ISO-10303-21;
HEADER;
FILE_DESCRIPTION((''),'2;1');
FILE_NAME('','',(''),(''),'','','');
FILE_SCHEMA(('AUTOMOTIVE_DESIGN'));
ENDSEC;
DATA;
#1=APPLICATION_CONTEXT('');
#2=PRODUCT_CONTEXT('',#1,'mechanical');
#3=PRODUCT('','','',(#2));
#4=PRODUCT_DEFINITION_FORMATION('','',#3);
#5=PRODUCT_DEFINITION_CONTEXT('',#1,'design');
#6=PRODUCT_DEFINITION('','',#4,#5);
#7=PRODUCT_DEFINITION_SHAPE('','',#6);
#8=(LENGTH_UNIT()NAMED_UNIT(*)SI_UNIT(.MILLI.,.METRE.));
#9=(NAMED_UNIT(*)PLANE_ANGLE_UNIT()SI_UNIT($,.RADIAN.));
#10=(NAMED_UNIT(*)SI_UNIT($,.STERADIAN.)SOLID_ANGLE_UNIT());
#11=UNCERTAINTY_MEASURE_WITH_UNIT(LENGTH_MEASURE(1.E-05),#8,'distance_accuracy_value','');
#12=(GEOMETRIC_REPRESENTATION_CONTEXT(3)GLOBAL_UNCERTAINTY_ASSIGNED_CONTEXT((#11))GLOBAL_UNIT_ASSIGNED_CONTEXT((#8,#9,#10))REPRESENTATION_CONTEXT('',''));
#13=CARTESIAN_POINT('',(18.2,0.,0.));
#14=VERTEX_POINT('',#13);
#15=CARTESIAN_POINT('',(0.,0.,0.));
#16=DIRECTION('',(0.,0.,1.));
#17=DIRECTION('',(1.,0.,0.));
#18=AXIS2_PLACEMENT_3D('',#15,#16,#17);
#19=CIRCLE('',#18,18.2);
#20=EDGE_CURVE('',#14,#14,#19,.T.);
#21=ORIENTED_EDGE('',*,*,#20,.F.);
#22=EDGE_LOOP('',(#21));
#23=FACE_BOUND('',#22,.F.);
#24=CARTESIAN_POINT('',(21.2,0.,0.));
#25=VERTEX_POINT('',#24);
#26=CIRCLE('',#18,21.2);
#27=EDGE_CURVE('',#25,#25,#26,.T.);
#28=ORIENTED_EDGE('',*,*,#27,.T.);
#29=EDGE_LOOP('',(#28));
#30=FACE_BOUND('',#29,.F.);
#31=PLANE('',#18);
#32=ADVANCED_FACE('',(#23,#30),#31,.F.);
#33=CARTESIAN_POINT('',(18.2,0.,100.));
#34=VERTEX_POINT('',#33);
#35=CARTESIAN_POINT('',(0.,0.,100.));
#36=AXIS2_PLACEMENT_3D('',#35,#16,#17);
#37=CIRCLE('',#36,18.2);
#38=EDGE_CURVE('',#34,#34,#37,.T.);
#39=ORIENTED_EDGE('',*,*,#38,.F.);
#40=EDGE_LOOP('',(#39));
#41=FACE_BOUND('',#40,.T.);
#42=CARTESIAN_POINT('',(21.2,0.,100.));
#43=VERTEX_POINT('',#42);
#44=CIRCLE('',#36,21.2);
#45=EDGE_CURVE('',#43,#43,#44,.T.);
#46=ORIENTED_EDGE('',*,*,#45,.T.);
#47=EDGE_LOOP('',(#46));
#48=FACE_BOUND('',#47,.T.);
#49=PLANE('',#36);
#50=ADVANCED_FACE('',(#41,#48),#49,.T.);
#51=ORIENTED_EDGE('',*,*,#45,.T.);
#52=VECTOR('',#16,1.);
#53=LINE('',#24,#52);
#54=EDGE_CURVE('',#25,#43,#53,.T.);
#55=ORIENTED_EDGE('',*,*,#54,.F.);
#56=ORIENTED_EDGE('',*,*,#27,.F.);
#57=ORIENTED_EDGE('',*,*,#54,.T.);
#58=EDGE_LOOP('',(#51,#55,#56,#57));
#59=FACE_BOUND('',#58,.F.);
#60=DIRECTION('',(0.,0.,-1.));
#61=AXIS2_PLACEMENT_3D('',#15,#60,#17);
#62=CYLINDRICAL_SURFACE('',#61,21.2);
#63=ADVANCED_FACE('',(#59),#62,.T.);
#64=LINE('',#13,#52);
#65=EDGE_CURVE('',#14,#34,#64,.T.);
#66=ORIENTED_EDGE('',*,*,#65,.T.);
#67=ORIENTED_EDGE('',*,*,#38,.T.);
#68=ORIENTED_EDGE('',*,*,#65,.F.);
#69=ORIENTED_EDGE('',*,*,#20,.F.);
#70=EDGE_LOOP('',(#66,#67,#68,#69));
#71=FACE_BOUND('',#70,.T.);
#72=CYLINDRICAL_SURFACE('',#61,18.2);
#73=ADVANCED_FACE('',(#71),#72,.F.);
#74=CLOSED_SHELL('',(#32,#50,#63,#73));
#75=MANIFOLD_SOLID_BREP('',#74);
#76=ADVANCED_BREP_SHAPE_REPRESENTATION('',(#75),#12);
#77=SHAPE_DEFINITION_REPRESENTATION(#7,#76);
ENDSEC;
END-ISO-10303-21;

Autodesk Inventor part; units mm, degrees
ref_plane "YZ Plane" through (0, 0, 0) normal (1, 0, 0) x (0, 1, 0)
ref_plane "Start Plane" through (0, 0, 0) normal (0, 0, 1) x (1, 0, 0)
ref_plane "End Plane" through (0, 0, 100) normal (0, 0, 1) x (1, 0, 0)
sketch "Sketch" plane through (0, 0, 0) normal (0, 0, 1) x (1, 0, 0)
  circle A0 centre (0, 0) radius 18.2
  circle A1 centre (0, 0) radius 21.2
  dimension "d0" = 42.4
  dimension "d1" = 3
extrude "Body" add sketch "Sketch" along normal up to surface (100 mm away) from surface at 0
sketch "Sketch3" plane through (0, 0, 0) normal (0, 0, 1) x (1, 0, 0)
  line L0 (0, 0) -> (10, 0)
ref_plane "Work Plane3" through (0, 0, 0) normal (0, -1, 0) x (1, 0, 0)
sketch "Sketch4" plane through (0, 0, 0) normal (0, -1, 0) x (1, 0, 0)
  line L0 (-2, 0) -> (12, 0)
  line L1 (-2, 100) -> (12, 100)
  dimension "d7" = 100
equation "\"d0\" = G_H"
equation "\"d1\" = G_T"
equation "\"d2\" = G_L"
equation "\"G_H\" = 42.4"
equation "\"G_T\" = 3"
equation "\"G_L\" = d7"
equation "\"G_OFFSET_START\" = 0"
equation "\"G_OFFSET_END\" = 0"
properties part number "ISO 10799-2 - 42.4x3.0 - 100" material "Steel, Mild"
